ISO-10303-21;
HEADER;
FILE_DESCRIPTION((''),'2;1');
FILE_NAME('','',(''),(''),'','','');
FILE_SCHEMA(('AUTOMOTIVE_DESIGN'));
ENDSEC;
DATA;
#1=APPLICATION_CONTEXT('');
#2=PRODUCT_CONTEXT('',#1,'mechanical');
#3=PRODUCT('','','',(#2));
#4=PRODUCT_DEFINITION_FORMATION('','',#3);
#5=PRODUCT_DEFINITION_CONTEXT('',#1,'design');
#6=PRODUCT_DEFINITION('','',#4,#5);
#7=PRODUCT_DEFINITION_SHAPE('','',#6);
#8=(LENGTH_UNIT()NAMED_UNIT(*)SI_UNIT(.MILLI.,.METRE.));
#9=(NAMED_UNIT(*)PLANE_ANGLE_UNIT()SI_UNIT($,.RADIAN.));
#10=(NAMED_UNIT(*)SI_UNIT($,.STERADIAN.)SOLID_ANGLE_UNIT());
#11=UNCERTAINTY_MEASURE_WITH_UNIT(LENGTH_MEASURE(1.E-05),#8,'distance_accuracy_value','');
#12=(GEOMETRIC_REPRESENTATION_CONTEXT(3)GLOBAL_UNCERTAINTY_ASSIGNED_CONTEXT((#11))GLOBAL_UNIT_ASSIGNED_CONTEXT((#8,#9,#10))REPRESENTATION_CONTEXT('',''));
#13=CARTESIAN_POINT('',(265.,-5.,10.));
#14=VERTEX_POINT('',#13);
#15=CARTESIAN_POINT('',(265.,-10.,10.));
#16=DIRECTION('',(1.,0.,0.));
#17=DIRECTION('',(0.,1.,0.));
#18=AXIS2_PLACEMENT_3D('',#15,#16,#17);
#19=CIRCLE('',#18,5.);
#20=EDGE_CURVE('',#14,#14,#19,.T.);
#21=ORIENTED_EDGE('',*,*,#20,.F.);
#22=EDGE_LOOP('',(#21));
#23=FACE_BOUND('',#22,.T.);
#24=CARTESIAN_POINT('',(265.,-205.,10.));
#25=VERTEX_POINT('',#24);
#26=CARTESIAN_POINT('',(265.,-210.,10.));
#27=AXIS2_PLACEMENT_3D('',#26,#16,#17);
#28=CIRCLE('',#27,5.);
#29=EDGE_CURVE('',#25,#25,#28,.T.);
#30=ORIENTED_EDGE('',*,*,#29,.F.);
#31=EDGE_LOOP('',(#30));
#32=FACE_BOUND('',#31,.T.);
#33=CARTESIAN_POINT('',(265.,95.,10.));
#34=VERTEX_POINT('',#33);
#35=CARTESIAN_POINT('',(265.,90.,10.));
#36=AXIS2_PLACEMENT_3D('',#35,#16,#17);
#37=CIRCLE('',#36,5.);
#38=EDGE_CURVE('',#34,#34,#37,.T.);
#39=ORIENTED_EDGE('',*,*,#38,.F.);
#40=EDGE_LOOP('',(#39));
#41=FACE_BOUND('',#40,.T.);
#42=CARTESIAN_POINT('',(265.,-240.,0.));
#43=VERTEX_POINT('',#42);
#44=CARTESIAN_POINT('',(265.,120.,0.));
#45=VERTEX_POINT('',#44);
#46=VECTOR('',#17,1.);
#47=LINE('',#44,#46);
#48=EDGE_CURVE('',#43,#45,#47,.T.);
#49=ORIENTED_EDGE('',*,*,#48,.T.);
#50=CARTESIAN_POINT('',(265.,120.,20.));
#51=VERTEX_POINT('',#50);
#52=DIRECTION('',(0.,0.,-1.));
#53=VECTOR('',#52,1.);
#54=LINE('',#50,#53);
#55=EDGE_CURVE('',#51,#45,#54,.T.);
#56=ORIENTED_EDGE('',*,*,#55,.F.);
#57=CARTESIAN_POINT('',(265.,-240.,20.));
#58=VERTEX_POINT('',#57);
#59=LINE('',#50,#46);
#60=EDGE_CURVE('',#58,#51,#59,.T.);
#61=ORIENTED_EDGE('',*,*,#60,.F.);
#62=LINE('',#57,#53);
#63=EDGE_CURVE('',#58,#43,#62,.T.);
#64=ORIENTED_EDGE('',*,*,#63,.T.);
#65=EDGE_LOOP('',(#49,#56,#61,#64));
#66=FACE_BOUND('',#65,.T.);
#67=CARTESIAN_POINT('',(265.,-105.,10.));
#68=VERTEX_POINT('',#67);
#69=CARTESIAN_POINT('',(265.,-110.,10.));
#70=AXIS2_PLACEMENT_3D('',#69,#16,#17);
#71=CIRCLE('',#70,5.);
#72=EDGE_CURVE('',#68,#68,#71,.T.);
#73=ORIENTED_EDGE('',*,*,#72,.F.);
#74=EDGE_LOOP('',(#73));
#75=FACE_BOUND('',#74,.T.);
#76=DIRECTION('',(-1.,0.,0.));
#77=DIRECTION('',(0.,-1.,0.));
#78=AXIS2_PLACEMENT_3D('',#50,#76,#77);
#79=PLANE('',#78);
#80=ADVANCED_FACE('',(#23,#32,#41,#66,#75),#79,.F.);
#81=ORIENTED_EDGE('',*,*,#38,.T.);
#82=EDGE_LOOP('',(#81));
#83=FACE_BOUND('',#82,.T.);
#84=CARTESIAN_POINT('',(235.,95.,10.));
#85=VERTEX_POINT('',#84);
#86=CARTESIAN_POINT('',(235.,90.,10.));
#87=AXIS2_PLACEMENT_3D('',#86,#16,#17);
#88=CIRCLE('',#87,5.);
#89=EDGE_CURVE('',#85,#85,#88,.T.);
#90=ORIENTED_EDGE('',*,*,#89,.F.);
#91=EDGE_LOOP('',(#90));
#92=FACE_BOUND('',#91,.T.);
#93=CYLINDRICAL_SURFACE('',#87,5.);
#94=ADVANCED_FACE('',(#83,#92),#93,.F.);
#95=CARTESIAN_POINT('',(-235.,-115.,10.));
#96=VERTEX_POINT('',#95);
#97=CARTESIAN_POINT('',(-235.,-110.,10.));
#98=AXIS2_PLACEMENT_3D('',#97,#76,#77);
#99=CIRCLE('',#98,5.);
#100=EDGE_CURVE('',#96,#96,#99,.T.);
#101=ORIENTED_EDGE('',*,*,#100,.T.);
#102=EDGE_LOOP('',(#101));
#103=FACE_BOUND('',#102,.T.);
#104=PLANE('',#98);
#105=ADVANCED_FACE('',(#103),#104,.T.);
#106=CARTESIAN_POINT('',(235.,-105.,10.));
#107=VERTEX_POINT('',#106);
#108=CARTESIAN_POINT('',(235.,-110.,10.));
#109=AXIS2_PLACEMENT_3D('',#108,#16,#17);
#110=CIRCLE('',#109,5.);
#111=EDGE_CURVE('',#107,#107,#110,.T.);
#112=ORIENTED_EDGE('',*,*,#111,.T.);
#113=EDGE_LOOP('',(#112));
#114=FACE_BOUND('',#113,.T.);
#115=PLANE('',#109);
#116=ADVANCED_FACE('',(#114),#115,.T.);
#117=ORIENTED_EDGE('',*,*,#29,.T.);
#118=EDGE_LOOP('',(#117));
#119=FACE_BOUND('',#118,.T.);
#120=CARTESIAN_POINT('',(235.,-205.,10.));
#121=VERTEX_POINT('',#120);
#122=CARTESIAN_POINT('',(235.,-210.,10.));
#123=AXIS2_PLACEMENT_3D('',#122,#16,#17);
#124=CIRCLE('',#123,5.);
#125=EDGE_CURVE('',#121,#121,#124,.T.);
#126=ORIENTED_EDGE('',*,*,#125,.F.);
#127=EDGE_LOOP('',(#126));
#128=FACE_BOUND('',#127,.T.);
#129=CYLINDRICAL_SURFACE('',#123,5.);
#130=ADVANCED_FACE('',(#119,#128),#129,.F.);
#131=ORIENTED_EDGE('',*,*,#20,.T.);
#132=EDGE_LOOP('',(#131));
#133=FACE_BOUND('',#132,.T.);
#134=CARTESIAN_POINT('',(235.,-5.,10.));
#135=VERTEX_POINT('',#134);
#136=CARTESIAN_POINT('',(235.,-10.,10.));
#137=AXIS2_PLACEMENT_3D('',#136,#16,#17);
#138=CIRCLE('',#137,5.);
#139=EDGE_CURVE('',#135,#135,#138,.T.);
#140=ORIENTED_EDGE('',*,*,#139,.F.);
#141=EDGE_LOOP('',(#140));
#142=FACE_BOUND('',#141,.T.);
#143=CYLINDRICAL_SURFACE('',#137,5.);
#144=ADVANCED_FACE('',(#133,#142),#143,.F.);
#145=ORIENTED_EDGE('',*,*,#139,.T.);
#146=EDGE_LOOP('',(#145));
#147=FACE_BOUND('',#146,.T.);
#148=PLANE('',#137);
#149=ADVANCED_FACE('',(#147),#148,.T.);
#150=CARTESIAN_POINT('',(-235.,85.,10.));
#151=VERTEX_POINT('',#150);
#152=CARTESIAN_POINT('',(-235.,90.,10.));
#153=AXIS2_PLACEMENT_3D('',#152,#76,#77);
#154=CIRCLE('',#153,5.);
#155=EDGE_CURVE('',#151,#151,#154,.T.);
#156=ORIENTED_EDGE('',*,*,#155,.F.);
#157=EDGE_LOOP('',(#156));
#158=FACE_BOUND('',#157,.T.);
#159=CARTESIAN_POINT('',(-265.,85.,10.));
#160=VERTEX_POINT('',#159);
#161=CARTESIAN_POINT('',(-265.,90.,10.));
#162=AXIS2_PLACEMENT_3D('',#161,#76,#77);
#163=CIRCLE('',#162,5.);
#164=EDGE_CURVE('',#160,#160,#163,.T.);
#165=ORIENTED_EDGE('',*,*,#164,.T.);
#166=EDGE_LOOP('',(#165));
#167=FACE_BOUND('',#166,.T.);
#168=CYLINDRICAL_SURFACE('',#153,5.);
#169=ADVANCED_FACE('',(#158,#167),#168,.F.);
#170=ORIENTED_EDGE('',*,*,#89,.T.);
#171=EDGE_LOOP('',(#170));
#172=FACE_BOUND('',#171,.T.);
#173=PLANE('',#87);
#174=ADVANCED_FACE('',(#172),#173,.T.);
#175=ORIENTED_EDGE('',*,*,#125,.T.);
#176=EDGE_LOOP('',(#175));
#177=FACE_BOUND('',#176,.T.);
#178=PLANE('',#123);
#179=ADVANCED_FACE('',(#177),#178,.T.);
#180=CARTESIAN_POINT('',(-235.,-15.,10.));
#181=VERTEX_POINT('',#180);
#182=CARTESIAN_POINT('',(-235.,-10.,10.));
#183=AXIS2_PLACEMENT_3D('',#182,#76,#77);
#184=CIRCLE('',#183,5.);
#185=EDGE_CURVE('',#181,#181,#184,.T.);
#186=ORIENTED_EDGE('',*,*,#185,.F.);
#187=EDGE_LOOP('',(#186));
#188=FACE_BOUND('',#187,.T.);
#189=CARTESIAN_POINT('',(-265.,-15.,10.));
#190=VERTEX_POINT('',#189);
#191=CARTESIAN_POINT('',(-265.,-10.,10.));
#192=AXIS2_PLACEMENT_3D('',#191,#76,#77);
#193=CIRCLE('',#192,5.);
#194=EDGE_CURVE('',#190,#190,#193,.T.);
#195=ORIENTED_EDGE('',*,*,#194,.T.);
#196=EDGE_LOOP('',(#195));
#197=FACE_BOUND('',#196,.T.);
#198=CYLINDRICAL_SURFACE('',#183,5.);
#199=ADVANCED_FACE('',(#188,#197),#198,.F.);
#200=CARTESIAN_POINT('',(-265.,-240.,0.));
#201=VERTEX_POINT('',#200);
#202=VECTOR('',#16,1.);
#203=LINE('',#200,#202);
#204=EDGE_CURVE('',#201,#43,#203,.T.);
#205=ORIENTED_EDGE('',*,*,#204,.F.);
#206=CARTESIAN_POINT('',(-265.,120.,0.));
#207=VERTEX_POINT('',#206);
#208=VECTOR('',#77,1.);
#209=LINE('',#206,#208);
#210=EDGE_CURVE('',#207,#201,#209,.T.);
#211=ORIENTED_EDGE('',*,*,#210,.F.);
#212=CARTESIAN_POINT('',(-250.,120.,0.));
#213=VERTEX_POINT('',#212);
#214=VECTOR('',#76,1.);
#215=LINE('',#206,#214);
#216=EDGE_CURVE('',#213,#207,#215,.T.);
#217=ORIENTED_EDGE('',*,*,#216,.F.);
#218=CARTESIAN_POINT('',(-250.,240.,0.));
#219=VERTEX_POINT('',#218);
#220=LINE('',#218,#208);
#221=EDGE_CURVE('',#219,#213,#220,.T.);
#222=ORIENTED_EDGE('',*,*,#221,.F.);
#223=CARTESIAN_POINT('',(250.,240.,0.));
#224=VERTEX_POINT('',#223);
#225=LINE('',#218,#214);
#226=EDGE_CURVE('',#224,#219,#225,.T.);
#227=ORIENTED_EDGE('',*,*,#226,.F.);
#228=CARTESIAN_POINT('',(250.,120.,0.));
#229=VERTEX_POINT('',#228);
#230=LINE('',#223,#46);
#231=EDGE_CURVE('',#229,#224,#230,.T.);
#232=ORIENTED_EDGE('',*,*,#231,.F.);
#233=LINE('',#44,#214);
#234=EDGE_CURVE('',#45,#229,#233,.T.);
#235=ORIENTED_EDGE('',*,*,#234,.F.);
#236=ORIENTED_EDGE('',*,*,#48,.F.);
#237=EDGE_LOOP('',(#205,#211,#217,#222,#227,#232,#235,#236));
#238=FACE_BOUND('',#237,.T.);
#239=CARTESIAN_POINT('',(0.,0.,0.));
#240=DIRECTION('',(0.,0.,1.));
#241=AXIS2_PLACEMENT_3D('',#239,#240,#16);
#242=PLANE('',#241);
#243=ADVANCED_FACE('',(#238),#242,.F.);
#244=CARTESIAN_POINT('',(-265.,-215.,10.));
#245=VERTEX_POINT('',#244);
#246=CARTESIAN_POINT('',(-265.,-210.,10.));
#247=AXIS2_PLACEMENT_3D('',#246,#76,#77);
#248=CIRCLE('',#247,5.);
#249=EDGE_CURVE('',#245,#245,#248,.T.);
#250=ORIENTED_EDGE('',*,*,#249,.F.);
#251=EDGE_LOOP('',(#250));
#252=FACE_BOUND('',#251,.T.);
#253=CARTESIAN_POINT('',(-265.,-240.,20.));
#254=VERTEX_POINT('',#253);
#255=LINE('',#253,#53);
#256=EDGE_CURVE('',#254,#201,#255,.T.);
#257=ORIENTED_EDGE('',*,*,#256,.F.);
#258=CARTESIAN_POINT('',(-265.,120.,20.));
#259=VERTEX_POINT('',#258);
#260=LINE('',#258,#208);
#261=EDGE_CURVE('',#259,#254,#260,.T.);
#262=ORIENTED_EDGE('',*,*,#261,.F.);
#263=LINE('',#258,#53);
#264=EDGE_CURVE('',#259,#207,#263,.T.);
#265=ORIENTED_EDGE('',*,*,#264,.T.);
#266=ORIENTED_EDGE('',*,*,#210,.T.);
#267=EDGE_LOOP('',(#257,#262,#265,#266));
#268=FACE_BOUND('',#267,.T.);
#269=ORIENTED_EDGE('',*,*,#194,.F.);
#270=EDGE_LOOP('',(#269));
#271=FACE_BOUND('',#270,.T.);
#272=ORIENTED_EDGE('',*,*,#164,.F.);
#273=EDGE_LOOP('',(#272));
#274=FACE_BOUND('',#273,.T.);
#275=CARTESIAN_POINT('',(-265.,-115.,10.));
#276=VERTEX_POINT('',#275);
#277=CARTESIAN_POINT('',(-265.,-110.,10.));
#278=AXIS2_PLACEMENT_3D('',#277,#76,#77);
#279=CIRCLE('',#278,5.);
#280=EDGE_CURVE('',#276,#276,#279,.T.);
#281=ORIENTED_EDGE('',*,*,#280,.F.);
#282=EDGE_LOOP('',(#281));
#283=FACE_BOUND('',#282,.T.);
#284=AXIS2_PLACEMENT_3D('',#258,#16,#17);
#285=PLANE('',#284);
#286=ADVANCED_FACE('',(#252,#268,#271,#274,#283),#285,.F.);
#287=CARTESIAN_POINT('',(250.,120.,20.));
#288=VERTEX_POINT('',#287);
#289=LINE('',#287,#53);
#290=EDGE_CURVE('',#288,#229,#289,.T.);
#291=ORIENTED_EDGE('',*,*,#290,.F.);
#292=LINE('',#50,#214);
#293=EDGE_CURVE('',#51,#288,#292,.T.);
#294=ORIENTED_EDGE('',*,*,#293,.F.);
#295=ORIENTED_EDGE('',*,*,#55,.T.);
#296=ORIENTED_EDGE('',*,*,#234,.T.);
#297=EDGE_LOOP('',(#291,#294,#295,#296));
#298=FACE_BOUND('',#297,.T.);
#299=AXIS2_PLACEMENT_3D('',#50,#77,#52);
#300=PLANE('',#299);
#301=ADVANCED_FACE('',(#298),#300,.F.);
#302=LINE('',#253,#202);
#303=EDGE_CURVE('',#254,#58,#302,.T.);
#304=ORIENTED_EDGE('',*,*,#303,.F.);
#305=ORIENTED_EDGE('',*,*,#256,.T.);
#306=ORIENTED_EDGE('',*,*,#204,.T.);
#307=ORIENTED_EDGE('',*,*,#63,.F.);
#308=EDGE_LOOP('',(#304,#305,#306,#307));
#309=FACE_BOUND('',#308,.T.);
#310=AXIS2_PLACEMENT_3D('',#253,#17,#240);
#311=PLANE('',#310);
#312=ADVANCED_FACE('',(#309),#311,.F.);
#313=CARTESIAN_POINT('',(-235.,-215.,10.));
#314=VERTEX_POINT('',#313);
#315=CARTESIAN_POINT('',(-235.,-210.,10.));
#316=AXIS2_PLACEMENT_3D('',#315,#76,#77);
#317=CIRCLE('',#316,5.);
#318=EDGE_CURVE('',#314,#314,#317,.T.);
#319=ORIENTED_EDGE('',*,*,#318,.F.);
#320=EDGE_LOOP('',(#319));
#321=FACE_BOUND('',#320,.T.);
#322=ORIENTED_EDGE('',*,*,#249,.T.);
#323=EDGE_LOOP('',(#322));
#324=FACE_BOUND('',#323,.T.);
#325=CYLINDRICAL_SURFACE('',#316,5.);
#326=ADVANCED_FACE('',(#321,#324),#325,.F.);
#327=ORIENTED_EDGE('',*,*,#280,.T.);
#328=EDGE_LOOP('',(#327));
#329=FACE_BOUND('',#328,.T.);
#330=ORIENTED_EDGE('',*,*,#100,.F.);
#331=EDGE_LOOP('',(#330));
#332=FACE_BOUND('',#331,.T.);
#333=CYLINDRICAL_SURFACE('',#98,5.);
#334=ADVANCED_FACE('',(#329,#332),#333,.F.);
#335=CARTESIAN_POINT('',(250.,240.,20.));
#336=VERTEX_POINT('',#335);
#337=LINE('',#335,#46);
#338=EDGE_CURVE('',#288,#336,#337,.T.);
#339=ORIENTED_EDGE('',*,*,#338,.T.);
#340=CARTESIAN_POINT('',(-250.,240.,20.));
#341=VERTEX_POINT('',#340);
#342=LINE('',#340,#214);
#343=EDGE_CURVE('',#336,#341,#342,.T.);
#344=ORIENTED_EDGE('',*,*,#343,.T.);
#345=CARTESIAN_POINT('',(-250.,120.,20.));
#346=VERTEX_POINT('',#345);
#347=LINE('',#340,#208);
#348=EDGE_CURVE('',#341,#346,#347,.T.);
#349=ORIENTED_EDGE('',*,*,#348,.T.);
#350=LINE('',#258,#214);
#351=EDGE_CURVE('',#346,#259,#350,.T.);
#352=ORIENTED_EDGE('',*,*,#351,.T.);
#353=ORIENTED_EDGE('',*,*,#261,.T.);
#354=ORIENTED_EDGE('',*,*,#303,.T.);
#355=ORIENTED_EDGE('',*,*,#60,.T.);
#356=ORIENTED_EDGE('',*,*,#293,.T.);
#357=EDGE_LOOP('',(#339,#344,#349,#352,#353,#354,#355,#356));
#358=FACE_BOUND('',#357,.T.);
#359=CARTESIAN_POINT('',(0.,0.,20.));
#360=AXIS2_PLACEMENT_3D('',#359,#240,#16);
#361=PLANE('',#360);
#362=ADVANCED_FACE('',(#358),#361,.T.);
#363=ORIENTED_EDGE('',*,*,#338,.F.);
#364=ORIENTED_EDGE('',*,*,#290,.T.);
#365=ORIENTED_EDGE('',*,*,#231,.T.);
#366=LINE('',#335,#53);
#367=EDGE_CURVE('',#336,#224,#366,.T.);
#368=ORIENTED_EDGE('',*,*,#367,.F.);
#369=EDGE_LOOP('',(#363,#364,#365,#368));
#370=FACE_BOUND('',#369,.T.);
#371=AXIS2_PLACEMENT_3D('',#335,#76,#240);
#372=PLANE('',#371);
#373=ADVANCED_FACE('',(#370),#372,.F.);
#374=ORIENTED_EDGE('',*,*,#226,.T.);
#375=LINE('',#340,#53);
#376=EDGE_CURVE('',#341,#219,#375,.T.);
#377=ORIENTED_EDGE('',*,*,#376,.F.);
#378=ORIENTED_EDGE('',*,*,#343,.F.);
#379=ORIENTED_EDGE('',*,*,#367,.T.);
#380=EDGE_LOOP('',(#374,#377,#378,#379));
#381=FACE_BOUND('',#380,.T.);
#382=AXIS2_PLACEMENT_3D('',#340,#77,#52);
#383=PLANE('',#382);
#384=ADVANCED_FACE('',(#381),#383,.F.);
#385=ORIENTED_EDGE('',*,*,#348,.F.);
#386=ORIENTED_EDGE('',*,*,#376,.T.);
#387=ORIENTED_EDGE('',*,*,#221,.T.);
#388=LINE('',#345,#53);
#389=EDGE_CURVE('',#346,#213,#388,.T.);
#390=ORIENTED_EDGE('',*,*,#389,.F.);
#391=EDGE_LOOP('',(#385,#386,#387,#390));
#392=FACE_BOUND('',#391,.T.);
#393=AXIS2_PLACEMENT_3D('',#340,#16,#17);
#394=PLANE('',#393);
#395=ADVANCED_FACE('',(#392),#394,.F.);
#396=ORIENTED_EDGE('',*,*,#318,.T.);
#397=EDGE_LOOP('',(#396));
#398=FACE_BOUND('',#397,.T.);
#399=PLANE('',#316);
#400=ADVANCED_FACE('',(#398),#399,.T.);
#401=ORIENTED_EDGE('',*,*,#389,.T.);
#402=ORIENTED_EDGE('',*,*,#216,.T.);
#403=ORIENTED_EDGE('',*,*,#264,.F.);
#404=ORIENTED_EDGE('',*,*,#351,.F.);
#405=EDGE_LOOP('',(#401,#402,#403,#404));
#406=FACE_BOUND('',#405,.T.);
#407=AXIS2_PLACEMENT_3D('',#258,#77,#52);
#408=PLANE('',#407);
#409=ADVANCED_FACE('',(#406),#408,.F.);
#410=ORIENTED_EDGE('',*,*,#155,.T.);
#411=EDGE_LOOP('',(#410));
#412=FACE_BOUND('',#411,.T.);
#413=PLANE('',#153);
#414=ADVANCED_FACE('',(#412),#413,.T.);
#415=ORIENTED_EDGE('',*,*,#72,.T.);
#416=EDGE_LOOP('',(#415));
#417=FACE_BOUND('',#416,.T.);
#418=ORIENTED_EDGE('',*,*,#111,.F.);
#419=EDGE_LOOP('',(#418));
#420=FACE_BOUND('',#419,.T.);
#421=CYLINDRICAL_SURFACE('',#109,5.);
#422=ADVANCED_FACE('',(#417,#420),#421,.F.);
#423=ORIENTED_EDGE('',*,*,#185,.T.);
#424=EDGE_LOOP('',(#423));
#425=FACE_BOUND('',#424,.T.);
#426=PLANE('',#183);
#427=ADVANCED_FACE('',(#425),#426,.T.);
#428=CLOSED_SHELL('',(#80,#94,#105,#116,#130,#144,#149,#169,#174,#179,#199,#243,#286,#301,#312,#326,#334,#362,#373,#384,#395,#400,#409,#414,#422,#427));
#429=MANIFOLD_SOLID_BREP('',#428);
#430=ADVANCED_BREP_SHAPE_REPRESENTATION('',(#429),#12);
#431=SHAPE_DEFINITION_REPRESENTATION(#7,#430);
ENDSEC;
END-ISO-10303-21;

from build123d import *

# Parameters (mm, degrees)
BOSS_EXTRUDE1_DEPTH = 20
SKETCH3_R           = 5
CUT_EXTRUDE1_DEPTH  = 30
CUT_EXTRUDE2_START  = -30
SKETCH4_R           = 5
CUT_EXTRUDE2_DEPTH  = 30


with BuildPart() as part:
    # Sketch1 → Boss-Extrude1 (new body)
    with BuildSketch(Plane.XY):
        Polygon((-250, 240), (250, 240), (250, 120), (265, 120), (265, -240), (-265, -240), (-265, 120), (-250, 120), align=None)
    extrude(amount=BOSS_EXTRUDE1_DEPTH)

    # Sketch3 → Cut-Extrude1 (cut)
    with BuildSketch(Plane(origin=(265, 0, 0), x_dir=(0, 0, -1), z_dir=(1, 0, 0))):
        with Locations(Location((-10, -210, 0), (0, 0, 90))):
            Circle(SKETCH3_R)
        with Locations(Location((-10, -110, 0), (0, 0, 90))):
            Circle(SKETCH3_R)
        with Locations(Location((-10, -10, 0), (0, 0, 90))):
            Circle(SKETCH3_R)
        with Locations(Location((-10, 90, 0), (0, 0, 90))):
            Circle(SKETCH3_R)
    extrude(amount=-CUT_EXTRUDE1_DEPTH, mode=Mode.SUBTRACT)

    # Sketch4 → Cut-Extrude2 (cut)
    with BuildSketch(Plane.ZY.offset(265).offset(CUT_EXTRUDE2_START)):
        with Locations(Location((10, -210, 0), (0, 0, 90))):
            Circle(SKETCH4_R)
        with Locations(Location((10, -110, 0), (0, 0, 90))):
            Circle(SKETCH4_R)
        with Locations(Location((10, -10, 0), (0, 0, 90))):
            Circle(SKETCH4_R)
        with Locations(Location((10, 90, 0), (0, 0, 90))):
            Circle(SKETCH4_R)
    extrude(amount=CUT_EXTRUDE2_DEPTH, mode=Mode.SUBTRACT)


solid = part.part
